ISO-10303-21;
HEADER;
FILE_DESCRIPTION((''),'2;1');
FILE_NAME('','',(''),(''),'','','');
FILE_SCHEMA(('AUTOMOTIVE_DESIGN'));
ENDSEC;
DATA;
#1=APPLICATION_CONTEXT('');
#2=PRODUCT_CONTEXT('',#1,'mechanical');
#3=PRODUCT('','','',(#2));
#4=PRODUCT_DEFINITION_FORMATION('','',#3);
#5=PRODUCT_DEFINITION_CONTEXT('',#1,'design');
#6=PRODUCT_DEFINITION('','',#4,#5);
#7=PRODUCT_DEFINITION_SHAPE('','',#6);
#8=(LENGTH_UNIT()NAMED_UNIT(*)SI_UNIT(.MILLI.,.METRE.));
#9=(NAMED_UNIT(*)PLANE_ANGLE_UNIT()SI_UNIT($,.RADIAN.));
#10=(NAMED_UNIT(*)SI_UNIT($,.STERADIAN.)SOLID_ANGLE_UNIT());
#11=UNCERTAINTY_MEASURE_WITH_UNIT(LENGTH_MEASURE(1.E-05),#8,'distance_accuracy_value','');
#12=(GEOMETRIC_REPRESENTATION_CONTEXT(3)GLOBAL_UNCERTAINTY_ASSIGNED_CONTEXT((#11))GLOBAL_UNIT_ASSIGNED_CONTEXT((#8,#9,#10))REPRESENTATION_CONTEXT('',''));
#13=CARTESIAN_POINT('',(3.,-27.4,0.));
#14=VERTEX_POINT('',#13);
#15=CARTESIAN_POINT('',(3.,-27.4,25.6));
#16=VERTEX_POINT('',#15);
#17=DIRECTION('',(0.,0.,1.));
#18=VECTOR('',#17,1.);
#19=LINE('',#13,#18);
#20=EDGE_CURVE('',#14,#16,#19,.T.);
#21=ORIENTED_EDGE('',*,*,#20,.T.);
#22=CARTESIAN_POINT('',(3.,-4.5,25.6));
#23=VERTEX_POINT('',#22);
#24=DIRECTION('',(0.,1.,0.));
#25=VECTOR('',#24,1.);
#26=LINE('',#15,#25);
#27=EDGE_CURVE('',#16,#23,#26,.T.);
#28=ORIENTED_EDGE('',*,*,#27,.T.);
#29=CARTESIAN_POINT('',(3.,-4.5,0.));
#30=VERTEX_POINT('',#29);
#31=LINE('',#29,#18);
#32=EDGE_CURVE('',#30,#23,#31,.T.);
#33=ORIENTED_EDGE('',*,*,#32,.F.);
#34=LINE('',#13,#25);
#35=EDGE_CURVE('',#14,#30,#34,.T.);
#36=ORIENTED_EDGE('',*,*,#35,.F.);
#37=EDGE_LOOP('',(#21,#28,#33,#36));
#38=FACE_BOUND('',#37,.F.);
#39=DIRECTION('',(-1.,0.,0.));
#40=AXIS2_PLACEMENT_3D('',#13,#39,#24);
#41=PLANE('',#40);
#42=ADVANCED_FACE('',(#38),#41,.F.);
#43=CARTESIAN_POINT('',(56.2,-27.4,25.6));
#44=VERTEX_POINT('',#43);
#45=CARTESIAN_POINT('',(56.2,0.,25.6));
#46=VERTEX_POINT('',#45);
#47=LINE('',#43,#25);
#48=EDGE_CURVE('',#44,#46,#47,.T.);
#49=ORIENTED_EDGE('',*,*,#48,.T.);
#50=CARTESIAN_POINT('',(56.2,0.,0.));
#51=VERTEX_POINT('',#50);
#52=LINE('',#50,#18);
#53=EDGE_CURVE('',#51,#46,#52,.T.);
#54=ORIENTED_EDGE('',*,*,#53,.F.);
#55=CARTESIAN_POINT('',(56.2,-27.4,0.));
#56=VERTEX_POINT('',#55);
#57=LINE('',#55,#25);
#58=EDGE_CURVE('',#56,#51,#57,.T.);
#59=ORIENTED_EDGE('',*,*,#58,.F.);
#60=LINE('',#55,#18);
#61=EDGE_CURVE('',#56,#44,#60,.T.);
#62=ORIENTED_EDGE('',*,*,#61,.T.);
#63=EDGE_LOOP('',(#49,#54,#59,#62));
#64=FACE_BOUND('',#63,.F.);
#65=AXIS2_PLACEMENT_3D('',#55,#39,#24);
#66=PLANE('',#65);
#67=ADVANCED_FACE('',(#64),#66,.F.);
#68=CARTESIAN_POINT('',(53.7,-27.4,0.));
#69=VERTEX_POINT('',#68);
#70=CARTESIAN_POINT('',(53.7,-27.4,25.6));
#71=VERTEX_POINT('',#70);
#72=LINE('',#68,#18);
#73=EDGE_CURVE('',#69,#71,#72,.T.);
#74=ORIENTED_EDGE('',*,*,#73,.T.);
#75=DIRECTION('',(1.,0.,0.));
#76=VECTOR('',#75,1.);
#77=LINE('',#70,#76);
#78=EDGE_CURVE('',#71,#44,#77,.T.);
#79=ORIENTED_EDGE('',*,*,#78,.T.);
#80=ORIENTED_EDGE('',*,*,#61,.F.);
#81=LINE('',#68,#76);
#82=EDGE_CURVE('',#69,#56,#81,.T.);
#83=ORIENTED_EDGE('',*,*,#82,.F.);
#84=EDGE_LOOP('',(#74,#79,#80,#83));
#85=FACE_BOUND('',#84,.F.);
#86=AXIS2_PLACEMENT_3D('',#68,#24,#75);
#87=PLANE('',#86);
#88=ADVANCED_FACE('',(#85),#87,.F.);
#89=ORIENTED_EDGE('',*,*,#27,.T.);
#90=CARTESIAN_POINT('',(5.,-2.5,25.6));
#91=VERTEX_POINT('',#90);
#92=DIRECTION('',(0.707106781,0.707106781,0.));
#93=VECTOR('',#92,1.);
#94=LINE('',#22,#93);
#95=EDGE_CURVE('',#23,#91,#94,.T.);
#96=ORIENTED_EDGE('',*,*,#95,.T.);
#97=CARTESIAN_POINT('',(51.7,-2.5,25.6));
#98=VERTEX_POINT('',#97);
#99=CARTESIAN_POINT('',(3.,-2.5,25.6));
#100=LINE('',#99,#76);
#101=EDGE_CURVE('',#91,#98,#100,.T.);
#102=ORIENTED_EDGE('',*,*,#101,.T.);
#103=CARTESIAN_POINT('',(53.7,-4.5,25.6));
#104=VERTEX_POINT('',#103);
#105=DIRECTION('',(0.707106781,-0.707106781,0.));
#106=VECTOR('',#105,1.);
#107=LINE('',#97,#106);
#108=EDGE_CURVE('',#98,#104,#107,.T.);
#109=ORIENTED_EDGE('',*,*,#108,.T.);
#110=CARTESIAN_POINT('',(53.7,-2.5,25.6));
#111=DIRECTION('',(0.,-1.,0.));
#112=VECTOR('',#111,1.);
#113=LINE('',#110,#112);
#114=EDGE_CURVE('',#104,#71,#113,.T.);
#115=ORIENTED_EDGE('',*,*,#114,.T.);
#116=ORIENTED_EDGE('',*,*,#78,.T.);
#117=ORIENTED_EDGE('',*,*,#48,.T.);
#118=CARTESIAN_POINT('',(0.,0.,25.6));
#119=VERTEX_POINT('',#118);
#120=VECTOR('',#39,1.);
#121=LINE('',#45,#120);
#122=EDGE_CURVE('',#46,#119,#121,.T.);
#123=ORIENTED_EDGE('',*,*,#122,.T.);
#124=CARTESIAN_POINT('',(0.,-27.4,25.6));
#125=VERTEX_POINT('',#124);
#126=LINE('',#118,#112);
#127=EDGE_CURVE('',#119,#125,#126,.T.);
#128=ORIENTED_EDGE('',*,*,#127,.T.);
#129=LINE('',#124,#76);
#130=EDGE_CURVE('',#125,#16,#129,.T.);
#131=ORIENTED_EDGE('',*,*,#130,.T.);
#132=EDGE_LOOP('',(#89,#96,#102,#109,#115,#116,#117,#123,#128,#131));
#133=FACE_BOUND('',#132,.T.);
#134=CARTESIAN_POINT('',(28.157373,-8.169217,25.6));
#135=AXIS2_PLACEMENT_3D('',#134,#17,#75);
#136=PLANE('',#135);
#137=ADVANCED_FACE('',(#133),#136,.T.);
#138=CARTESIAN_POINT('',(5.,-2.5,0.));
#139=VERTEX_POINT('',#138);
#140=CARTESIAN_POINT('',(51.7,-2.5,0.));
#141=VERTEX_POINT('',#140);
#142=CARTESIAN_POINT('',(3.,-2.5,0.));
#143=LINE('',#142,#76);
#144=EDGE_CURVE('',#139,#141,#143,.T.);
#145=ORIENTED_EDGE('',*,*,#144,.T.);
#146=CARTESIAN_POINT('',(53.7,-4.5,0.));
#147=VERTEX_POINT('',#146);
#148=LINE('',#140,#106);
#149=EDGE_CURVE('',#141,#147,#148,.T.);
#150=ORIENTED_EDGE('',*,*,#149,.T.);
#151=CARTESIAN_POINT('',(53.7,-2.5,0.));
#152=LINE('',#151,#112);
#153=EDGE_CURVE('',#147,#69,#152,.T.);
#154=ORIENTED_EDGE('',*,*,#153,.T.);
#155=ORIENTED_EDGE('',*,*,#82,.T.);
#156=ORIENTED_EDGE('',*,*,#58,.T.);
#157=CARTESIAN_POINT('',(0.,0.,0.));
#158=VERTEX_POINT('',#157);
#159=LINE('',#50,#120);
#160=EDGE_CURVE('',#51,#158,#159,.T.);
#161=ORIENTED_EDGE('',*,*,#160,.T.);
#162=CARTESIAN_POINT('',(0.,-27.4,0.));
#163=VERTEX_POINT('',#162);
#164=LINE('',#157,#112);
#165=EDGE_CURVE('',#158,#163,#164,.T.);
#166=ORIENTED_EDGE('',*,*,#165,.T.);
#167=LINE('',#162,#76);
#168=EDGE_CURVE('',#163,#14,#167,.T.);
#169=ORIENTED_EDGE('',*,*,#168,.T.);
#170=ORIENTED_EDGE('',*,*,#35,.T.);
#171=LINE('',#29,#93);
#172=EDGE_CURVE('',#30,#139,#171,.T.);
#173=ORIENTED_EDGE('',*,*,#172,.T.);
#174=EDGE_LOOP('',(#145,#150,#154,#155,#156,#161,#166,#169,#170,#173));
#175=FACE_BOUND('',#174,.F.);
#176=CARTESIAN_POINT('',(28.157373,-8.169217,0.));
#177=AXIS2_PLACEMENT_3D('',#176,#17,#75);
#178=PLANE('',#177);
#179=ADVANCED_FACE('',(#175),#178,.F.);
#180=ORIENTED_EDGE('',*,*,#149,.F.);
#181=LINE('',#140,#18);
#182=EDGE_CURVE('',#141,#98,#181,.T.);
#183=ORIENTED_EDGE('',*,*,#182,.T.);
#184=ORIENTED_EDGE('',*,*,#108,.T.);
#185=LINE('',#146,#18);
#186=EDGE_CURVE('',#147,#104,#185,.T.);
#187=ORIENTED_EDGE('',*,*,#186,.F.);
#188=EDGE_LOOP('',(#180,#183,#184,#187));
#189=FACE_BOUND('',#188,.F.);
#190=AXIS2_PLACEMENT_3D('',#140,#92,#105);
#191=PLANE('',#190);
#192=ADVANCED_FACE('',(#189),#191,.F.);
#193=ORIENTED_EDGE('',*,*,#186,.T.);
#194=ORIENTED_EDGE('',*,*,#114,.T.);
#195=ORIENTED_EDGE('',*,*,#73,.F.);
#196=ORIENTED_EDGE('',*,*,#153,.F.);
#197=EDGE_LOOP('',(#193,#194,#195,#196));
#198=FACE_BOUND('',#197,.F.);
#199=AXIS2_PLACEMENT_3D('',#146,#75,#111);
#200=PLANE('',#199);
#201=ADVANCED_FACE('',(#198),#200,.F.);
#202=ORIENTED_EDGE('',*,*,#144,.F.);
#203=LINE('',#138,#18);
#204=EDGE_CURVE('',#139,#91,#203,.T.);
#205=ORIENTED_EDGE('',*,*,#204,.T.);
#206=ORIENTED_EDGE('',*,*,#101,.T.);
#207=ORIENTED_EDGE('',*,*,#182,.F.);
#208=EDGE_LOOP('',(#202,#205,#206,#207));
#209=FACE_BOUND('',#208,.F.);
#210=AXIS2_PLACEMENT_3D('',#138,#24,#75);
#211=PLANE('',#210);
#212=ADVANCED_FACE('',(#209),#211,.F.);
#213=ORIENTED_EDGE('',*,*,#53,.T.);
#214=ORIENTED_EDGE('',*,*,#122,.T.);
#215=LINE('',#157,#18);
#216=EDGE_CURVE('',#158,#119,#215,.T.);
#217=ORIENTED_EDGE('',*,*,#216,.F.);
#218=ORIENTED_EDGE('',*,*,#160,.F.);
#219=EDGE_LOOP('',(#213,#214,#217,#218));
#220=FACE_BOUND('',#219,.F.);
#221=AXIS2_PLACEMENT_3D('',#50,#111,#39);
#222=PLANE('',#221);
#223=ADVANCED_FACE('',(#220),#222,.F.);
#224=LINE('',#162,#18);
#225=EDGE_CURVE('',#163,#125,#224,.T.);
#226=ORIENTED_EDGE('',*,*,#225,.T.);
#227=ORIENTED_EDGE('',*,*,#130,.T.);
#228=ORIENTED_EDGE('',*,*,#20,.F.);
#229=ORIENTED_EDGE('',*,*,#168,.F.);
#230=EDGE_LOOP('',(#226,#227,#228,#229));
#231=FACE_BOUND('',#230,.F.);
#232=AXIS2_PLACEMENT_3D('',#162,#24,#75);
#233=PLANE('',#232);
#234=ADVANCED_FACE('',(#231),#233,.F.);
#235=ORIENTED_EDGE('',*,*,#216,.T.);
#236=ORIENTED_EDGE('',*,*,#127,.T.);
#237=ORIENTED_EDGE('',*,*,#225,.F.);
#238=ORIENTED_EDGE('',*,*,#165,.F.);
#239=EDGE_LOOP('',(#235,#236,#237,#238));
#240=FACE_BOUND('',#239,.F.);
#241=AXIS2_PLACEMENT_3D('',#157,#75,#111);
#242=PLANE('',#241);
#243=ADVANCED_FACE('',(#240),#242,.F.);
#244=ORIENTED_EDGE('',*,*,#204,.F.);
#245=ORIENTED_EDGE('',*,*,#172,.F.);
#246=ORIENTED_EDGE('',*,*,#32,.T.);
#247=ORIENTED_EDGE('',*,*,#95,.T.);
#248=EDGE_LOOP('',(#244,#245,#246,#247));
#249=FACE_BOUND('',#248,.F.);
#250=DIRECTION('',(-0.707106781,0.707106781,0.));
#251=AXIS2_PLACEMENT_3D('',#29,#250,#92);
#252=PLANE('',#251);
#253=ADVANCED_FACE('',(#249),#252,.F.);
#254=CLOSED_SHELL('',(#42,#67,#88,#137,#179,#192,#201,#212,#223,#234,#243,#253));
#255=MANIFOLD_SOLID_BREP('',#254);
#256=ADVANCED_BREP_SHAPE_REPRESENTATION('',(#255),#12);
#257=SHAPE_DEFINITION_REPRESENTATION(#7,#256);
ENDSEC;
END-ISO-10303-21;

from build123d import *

# Parameters (mm, degrees)
F1_DEPTH = 25.6


with BuildPart() as f1:
    # F0 (on Top) → F1 (new body)
    with BuildSketch(Plane.XY):
        Polygon((56.2, 0), (0, 0), (0, -27.4), (3, -27.4), (3, -4.5), (3, -2.5), (5, -2.5), (51.7, -2.5), (53.7, -2.5), (53.7, -4.5), (53.7, -27.4), (56.2, -27.4), align=None)
        Polygon((51.7, -2.5), (53.7, -4.5), (53.7, -2.5), align=None)
        Polygon((3, -2.5), (3, -4.5), (5, -2.5), align=None)
    extrude(amount=F1_DEPTH)


solid = f1.part
